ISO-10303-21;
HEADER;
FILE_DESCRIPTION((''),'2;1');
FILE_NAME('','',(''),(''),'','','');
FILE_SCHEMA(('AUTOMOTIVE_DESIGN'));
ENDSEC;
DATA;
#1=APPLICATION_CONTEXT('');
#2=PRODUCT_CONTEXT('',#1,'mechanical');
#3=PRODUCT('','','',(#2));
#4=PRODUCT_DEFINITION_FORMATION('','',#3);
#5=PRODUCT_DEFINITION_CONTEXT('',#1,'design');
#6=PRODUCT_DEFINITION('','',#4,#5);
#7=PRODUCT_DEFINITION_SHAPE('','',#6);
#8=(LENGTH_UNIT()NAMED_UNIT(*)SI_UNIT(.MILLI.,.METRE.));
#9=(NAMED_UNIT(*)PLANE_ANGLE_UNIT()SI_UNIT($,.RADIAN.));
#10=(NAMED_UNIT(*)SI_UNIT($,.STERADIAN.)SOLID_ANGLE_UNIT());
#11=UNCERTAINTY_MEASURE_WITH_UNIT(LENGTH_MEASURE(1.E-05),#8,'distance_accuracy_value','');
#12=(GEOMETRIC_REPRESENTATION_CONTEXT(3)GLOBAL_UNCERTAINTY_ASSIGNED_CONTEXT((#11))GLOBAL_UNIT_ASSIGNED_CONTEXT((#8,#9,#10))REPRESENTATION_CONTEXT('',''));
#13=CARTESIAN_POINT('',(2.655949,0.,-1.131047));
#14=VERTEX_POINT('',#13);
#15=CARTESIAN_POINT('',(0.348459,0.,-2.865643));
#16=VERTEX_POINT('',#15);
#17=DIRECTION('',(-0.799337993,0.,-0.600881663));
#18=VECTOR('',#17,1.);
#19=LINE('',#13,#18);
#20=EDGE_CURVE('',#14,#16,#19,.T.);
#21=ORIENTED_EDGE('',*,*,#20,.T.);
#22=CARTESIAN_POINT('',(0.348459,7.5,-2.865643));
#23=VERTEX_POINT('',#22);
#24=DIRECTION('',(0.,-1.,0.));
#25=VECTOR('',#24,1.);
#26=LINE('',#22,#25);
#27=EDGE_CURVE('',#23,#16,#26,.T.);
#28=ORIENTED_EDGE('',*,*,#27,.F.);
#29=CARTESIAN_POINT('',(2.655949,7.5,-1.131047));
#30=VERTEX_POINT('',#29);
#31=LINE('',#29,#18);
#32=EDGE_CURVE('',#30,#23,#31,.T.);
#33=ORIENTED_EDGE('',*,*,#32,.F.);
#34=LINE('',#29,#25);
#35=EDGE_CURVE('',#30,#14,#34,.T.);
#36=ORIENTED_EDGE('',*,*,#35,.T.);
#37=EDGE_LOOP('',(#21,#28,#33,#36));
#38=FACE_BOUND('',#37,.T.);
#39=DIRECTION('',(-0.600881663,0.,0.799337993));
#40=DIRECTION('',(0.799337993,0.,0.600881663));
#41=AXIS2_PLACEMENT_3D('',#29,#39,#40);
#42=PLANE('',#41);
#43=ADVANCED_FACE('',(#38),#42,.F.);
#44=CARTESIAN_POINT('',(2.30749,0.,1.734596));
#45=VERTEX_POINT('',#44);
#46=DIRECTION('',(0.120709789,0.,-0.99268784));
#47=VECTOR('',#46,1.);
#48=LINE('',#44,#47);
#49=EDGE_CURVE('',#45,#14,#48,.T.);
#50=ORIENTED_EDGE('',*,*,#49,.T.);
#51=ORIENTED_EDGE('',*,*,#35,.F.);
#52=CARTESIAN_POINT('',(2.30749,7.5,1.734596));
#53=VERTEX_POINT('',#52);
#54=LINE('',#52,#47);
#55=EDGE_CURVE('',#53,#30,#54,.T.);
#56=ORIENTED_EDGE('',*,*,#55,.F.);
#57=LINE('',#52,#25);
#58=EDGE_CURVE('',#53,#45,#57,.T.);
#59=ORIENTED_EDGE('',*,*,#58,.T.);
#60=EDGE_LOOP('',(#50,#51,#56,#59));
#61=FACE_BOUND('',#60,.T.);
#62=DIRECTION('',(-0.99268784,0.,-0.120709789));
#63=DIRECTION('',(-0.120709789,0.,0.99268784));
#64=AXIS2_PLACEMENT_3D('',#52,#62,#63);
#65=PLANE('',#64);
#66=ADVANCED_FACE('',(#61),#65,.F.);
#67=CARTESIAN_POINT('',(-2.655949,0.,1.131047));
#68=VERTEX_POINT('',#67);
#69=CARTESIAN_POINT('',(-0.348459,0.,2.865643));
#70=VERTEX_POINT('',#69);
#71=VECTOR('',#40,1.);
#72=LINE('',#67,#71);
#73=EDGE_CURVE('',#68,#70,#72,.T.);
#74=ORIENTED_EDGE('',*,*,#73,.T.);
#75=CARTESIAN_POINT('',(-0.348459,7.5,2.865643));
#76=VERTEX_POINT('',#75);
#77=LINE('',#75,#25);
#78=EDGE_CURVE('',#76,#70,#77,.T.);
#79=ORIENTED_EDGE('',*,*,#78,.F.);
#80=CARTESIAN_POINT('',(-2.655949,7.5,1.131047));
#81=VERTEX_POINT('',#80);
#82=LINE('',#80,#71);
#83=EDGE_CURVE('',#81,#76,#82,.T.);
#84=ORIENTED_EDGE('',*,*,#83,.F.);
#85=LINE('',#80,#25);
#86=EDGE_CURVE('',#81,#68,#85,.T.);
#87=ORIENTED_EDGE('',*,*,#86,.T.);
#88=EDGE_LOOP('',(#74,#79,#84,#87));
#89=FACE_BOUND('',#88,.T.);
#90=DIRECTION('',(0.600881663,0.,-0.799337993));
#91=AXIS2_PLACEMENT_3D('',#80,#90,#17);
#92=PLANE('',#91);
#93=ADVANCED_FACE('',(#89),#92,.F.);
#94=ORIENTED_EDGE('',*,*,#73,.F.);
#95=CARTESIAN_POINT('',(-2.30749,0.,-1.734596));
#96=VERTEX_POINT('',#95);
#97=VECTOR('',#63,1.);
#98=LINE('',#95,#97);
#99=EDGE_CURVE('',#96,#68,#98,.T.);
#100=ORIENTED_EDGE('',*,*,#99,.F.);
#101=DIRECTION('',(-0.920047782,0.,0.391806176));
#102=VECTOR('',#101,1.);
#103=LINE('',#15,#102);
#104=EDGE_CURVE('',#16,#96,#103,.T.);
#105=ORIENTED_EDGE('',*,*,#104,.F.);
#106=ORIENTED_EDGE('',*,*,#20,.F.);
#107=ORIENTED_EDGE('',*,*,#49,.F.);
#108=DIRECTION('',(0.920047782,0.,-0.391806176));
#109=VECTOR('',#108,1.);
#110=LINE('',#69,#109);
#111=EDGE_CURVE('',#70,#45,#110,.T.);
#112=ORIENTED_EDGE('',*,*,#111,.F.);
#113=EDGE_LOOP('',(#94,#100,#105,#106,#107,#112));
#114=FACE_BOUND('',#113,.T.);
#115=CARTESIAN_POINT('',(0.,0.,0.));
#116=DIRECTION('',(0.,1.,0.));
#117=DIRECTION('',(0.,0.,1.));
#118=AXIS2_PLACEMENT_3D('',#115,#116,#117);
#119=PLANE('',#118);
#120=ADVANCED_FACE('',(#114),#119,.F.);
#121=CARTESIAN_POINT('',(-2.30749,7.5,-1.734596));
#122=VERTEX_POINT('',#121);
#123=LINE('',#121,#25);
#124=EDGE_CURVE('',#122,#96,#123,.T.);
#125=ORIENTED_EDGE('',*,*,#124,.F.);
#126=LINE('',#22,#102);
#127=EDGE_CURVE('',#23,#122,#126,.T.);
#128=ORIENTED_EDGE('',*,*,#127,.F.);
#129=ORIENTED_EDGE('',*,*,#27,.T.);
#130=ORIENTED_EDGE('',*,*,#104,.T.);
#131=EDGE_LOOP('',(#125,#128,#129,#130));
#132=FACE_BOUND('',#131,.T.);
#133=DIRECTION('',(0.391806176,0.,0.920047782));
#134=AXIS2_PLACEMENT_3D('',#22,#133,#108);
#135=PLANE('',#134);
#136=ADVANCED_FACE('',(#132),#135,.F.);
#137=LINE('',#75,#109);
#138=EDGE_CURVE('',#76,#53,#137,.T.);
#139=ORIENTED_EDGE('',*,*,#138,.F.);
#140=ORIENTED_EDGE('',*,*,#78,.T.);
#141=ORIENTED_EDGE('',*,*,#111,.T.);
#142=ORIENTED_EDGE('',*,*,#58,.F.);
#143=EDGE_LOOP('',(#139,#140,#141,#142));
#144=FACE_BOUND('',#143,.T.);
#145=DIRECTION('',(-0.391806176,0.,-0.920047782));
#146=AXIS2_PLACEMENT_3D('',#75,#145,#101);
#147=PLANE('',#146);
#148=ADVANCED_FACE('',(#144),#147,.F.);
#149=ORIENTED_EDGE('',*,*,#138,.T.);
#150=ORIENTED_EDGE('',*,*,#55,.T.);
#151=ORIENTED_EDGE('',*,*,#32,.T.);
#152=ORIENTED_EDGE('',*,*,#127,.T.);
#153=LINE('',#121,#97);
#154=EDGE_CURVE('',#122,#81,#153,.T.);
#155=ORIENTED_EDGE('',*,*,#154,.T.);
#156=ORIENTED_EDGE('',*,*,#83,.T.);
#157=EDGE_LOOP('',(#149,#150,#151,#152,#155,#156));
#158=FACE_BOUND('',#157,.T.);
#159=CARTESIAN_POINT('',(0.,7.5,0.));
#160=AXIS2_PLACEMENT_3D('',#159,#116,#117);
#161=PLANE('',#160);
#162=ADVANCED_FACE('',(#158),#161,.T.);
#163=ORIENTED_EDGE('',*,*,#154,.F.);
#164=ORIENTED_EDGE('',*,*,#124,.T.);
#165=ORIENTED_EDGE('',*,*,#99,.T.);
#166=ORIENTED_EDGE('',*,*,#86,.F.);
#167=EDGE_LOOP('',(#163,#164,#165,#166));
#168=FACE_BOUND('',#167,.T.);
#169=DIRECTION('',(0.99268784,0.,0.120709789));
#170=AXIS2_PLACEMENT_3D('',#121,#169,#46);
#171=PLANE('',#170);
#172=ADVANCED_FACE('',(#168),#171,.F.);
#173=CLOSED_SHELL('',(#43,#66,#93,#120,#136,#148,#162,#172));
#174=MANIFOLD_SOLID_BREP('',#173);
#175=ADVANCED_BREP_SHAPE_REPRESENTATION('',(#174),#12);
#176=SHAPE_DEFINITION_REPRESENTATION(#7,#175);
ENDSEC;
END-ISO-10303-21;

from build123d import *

# Parameters (mm, degrees)
BOSS_EXTRUDE1_DEPTH = 7.5


with BuildPart() as part:
    # Sketch1 → Boss-Extrude1 (new body)
    with BuildSketch(Plane(origin=(0, 0, 0), x_dir=(1, 0, 0), z_dir=(0, 1, 0))):
        Polygon((2.307490026, -1.734595951), (2.655949172, 1.131047006), (0.348459146, 2.865642957), (-2.307490026, 1.734595951), (-2.655949172, -1.131047006), (-0.348459146, -2.865642957), align=None)
    extrude(amount=BOSS_EXTRUDE1_DEPTH)


solid = part.part
